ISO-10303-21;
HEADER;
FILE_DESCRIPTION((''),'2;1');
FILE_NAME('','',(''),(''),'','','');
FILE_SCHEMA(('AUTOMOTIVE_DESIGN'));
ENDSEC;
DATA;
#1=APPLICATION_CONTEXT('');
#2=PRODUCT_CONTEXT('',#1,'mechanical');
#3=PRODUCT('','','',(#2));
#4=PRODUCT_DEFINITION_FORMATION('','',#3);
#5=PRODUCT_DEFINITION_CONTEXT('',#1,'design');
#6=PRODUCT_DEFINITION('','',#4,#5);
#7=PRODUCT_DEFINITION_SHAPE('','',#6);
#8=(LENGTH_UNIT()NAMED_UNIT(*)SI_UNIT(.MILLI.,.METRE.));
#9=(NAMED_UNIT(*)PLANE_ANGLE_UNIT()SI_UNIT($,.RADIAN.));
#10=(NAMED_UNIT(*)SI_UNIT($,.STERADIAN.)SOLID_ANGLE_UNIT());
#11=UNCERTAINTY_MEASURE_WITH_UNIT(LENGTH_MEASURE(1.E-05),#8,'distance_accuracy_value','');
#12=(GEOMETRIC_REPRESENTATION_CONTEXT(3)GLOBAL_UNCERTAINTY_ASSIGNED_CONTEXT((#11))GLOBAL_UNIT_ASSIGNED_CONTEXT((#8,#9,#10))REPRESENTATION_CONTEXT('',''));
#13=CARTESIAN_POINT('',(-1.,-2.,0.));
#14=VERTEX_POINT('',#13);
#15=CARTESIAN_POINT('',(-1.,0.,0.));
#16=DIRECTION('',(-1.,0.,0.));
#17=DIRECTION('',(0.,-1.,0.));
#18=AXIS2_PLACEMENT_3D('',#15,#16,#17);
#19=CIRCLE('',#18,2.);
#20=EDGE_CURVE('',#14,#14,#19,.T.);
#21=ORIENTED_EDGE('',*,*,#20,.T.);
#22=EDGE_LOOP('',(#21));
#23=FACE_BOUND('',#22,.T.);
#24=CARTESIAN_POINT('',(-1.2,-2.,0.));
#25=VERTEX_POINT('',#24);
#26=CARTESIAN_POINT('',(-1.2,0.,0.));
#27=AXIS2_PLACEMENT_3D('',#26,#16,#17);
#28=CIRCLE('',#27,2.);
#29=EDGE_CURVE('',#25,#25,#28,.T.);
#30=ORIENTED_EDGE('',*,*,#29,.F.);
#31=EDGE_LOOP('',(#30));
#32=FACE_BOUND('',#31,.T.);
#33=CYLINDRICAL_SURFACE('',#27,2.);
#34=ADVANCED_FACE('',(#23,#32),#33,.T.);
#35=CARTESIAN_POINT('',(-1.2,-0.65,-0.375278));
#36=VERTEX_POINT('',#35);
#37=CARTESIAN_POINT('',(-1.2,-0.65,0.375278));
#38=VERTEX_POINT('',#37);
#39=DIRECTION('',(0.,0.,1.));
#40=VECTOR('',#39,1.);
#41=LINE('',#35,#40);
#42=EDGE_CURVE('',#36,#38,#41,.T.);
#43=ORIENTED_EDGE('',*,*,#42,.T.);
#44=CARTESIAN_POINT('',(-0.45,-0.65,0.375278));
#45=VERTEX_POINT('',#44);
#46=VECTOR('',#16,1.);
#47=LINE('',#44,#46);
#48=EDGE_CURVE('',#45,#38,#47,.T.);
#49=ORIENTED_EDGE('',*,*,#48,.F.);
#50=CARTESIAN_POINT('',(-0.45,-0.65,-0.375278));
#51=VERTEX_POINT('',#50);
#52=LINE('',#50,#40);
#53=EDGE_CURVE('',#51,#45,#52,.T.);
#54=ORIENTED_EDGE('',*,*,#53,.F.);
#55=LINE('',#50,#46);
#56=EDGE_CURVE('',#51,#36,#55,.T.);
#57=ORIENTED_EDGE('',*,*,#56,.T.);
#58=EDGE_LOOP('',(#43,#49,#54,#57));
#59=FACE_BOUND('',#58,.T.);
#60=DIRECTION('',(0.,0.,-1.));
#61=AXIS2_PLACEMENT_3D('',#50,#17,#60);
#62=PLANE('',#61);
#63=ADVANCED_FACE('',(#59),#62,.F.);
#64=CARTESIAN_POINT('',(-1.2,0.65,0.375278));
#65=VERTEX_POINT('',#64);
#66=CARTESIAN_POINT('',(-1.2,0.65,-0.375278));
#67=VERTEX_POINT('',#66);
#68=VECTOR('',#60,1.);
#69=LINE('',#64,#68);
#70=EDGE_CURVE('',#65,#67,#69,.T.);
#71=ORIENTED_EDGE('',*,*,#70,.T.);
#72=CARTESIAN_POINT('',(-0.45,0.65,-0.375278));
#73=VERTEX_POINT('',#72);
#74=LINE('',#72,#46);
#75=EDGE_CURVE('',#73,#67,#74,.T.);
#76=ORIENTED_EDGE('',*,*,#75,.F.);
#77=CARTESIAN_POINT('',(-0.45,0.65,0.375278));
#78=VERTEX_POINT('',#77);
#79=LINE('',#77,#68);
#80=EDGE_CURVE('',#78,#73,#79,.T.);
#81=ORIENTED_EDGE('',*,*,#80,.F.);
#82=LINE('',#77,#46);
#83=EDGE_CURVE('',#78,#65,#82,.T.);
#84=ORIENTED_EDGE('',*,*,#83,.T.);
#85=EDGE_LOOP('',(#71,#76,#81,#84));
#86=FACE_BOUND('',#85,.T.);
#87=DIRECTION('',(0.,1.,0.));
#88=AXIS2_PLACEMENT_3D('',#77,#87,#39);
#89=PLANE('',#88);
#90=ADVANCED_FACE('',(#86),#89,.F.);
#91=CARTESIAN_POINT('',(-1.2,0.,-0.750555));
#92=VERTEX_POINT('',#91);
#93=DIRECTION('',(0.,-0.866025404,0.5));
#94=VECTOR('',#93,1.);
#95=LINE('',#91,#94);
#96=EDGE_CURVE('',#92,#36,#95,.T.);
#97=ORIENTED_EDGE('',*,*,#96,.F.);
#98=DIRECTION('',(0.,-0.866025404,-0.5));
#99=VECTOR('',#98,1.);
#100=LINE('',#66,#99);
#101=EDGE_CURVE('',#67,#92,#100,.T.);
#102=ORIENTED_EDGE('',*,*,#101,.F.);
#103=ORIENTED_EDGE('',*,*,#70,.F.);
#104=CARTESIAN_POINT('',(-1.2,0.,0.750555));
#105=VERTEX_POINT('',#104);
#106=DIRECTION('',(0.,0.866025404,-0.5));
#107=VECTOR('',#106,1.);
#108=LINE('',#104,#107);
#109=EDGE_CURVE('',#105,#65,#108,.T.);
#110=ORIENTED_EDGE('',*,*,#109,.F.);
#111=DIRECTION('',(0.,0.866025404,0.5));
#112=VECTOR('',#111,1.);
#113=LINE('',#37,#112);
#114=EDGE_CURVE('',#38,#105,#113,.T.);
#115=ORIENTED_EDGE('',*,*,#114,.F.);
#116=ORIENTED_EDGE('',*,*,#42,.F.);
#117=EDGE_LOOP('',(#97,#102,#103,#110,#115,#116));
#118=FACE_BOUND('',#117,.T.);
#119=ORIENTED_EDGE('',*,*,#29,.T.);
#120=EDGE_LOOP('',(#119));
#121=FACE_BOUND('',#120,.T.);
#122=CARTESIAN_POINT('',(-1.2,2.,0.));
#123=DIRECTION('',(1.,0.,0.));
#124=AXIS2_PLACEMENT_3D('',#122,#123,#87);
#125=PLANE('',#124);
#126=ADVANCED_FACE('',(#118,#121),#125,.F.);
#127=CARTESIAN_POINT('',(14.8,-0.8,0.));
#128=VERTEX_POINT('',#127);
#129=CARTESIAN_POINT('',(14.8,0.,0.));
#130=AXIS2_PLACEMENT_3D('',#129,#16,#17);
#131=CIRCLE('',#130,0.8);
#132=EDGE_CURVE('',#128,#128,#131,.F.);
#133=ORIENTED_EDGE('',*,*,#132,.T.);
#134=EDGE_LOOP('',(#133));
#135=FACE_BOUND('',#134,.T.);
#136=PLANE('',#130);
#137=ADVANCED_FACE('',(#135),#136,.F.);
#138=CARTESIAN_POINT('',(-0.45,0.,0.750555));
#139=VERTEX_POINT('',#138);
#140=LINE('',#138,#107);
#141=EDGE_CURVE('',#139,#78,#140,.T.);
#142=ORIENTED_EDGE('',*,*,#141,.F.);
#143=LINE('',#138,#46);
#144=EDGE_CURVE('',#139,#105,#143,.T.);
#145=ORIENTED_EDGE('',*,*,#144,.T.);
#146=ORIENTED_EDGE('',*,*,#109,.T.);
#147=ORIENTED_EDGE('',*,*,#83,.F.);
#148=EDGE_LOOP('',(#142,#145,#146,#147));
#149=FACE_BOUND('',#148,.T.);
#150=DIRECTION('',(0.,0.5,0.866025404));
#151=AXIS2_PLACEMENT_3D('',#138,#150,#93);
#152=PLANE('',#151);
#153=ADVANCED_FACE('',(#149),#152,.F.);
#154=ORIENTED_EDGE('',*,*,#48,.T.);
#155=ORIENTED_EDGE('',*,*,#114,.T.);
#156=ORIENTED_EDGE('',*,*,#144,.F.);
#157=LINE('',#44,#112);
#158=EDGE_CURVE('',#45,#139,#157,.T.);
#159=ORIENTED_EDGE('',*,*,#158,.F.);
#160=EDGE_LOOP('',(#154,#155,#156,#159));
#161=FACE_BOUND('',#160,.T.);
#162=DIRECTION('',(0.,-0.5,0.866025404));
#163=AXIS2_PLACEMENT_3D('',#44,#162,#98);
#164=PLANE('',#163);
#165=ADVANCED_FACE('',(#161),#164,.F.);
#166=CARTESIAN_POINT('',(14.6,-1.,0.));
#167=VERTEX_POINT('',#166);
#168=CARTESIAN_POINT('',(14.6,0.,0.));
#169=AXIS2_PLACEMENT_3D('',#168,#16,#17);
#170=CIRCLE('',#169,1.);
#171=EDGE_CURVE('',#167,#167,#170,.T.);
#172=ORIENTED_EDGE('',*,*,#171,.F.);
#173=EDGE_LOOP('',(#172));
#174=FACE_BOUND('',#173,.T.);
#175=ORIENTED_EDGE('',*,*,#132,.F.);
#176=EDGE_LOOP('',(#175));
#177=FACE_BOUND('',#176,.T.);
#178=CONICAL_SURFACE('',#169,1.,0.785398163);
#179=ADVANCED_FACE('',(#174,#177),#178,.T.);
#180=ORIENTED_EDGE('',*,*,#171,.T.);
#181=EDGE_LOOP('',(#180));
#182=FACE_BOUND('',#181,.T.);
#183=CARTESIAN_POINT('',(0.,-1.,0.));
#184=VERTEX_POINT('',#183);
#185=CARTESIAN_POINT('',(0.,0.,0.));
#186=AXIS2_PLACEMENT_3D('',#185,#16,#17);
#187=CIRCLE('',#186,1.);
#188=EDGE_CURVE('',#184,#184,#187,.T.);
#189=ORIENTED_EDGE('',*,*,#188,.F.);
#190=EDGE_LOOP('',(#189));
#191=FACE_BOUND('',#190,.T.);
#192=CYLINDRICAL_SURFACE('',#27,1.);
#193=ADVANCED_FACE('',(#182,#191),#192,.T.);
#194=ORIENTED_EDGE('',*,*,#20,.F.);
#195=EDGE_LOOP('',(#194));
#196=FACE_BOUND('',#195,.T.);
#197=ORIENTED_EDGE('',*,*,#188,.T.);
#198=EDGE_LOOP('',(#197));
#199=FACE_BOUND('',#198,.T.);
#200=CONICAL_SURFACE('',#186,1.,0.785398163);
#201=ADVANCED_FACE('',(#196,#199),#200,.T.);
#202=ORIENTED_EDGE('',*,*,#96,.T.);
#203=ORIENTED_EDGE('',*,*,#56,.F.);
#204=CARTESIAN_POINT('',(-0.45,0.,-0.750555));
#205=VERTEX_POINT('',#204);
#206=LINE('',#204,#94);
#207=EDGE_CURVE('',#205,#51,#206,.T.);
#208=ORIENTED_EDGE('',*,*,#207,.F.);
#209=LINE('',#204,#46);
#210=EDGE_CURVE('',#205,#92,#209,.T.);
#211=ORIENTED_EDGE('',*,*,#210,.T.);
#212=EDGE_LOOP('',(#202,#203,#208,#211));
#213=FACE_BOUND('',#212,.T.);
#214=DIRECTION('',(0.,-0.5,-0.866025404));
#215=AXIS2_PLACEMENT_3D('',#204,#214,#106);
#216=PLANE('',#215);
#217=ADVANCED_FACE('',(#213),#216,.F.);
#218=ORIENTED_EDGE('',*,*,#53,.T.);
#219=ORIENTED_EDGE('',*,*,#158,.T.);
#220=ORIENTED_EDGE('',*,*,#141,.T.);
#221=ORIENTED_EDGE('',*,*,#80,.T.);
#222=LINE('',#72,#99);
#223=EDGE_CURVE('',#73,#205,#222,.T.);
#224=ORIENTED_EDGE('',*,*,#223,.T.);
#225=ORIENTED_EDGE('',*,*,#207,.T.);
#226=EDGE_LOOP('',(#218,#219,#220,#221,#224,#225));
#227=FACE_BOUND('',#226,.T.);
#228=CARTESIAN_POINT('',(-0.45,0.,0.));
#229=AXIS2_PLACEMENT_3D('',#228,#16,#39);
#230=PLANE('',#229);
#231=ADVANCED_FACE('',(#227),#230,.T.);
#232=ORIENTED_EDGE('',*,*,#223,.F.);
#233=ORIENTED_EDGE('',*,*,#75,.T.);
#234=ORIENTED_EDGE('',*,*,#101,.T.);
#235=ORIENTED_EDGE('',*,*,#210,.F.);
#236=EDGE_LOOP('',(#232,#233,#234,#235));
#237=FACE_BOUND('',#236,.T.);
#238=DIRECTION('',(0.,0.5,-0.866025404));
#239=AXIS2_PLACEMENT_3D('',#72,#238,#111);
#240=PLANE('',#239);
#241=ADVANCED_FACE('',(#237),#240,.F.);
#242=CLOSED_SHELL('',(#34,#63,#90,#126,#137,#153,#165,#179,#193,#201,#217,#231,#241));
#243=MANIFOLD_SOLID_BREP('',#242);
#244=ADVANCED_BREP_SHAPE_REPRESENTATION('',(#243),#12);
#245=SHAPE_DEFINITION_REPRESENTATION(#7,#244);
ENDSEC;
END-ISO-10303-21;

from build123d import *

# Parameters (mm, degrees)
CHAMFER1_SIZE      = 0.2
CUT_EXTRUDE1_DEPTH = 0.75


with BuildPart() as part:
    # Sketch1 → Revolve1 (revolve)
    with BuildSketch(Plane.XY):
        Polygon((0, 1), (-1, 2), (-1.2, 2), (-1.2, 0), (14.8, 0), (14.8, 1), align=None)
    revolve(axis=Axis((-1.2, 0, 0), (1, 0, 0)))

    # Chamfer1
    chamfer1_edges = [part.edges().sort_by_distance(p)[0] for p in [
        (14.8, -1, 0),
    ]]
    chamfer(chamfer1_edges, length=CHAMFER1_SIZE)

    # Sketch2 → Cut-Extrude1 (cut)
    with BuildSketch(Plane.ZY.offset(1.2)):
        Polygon((-0.75055535, 0), (-0.375277675, -0.65), (0.375277675, -0.65), (0.75055535, 0), (0.375277675, 0.65), (-0.375277675, 0.65), align=None)
    extrude(amount=-CUT_EXTRUDE1_DEPTH, mode=Mode.SUBTRACT)


solid = part.part
